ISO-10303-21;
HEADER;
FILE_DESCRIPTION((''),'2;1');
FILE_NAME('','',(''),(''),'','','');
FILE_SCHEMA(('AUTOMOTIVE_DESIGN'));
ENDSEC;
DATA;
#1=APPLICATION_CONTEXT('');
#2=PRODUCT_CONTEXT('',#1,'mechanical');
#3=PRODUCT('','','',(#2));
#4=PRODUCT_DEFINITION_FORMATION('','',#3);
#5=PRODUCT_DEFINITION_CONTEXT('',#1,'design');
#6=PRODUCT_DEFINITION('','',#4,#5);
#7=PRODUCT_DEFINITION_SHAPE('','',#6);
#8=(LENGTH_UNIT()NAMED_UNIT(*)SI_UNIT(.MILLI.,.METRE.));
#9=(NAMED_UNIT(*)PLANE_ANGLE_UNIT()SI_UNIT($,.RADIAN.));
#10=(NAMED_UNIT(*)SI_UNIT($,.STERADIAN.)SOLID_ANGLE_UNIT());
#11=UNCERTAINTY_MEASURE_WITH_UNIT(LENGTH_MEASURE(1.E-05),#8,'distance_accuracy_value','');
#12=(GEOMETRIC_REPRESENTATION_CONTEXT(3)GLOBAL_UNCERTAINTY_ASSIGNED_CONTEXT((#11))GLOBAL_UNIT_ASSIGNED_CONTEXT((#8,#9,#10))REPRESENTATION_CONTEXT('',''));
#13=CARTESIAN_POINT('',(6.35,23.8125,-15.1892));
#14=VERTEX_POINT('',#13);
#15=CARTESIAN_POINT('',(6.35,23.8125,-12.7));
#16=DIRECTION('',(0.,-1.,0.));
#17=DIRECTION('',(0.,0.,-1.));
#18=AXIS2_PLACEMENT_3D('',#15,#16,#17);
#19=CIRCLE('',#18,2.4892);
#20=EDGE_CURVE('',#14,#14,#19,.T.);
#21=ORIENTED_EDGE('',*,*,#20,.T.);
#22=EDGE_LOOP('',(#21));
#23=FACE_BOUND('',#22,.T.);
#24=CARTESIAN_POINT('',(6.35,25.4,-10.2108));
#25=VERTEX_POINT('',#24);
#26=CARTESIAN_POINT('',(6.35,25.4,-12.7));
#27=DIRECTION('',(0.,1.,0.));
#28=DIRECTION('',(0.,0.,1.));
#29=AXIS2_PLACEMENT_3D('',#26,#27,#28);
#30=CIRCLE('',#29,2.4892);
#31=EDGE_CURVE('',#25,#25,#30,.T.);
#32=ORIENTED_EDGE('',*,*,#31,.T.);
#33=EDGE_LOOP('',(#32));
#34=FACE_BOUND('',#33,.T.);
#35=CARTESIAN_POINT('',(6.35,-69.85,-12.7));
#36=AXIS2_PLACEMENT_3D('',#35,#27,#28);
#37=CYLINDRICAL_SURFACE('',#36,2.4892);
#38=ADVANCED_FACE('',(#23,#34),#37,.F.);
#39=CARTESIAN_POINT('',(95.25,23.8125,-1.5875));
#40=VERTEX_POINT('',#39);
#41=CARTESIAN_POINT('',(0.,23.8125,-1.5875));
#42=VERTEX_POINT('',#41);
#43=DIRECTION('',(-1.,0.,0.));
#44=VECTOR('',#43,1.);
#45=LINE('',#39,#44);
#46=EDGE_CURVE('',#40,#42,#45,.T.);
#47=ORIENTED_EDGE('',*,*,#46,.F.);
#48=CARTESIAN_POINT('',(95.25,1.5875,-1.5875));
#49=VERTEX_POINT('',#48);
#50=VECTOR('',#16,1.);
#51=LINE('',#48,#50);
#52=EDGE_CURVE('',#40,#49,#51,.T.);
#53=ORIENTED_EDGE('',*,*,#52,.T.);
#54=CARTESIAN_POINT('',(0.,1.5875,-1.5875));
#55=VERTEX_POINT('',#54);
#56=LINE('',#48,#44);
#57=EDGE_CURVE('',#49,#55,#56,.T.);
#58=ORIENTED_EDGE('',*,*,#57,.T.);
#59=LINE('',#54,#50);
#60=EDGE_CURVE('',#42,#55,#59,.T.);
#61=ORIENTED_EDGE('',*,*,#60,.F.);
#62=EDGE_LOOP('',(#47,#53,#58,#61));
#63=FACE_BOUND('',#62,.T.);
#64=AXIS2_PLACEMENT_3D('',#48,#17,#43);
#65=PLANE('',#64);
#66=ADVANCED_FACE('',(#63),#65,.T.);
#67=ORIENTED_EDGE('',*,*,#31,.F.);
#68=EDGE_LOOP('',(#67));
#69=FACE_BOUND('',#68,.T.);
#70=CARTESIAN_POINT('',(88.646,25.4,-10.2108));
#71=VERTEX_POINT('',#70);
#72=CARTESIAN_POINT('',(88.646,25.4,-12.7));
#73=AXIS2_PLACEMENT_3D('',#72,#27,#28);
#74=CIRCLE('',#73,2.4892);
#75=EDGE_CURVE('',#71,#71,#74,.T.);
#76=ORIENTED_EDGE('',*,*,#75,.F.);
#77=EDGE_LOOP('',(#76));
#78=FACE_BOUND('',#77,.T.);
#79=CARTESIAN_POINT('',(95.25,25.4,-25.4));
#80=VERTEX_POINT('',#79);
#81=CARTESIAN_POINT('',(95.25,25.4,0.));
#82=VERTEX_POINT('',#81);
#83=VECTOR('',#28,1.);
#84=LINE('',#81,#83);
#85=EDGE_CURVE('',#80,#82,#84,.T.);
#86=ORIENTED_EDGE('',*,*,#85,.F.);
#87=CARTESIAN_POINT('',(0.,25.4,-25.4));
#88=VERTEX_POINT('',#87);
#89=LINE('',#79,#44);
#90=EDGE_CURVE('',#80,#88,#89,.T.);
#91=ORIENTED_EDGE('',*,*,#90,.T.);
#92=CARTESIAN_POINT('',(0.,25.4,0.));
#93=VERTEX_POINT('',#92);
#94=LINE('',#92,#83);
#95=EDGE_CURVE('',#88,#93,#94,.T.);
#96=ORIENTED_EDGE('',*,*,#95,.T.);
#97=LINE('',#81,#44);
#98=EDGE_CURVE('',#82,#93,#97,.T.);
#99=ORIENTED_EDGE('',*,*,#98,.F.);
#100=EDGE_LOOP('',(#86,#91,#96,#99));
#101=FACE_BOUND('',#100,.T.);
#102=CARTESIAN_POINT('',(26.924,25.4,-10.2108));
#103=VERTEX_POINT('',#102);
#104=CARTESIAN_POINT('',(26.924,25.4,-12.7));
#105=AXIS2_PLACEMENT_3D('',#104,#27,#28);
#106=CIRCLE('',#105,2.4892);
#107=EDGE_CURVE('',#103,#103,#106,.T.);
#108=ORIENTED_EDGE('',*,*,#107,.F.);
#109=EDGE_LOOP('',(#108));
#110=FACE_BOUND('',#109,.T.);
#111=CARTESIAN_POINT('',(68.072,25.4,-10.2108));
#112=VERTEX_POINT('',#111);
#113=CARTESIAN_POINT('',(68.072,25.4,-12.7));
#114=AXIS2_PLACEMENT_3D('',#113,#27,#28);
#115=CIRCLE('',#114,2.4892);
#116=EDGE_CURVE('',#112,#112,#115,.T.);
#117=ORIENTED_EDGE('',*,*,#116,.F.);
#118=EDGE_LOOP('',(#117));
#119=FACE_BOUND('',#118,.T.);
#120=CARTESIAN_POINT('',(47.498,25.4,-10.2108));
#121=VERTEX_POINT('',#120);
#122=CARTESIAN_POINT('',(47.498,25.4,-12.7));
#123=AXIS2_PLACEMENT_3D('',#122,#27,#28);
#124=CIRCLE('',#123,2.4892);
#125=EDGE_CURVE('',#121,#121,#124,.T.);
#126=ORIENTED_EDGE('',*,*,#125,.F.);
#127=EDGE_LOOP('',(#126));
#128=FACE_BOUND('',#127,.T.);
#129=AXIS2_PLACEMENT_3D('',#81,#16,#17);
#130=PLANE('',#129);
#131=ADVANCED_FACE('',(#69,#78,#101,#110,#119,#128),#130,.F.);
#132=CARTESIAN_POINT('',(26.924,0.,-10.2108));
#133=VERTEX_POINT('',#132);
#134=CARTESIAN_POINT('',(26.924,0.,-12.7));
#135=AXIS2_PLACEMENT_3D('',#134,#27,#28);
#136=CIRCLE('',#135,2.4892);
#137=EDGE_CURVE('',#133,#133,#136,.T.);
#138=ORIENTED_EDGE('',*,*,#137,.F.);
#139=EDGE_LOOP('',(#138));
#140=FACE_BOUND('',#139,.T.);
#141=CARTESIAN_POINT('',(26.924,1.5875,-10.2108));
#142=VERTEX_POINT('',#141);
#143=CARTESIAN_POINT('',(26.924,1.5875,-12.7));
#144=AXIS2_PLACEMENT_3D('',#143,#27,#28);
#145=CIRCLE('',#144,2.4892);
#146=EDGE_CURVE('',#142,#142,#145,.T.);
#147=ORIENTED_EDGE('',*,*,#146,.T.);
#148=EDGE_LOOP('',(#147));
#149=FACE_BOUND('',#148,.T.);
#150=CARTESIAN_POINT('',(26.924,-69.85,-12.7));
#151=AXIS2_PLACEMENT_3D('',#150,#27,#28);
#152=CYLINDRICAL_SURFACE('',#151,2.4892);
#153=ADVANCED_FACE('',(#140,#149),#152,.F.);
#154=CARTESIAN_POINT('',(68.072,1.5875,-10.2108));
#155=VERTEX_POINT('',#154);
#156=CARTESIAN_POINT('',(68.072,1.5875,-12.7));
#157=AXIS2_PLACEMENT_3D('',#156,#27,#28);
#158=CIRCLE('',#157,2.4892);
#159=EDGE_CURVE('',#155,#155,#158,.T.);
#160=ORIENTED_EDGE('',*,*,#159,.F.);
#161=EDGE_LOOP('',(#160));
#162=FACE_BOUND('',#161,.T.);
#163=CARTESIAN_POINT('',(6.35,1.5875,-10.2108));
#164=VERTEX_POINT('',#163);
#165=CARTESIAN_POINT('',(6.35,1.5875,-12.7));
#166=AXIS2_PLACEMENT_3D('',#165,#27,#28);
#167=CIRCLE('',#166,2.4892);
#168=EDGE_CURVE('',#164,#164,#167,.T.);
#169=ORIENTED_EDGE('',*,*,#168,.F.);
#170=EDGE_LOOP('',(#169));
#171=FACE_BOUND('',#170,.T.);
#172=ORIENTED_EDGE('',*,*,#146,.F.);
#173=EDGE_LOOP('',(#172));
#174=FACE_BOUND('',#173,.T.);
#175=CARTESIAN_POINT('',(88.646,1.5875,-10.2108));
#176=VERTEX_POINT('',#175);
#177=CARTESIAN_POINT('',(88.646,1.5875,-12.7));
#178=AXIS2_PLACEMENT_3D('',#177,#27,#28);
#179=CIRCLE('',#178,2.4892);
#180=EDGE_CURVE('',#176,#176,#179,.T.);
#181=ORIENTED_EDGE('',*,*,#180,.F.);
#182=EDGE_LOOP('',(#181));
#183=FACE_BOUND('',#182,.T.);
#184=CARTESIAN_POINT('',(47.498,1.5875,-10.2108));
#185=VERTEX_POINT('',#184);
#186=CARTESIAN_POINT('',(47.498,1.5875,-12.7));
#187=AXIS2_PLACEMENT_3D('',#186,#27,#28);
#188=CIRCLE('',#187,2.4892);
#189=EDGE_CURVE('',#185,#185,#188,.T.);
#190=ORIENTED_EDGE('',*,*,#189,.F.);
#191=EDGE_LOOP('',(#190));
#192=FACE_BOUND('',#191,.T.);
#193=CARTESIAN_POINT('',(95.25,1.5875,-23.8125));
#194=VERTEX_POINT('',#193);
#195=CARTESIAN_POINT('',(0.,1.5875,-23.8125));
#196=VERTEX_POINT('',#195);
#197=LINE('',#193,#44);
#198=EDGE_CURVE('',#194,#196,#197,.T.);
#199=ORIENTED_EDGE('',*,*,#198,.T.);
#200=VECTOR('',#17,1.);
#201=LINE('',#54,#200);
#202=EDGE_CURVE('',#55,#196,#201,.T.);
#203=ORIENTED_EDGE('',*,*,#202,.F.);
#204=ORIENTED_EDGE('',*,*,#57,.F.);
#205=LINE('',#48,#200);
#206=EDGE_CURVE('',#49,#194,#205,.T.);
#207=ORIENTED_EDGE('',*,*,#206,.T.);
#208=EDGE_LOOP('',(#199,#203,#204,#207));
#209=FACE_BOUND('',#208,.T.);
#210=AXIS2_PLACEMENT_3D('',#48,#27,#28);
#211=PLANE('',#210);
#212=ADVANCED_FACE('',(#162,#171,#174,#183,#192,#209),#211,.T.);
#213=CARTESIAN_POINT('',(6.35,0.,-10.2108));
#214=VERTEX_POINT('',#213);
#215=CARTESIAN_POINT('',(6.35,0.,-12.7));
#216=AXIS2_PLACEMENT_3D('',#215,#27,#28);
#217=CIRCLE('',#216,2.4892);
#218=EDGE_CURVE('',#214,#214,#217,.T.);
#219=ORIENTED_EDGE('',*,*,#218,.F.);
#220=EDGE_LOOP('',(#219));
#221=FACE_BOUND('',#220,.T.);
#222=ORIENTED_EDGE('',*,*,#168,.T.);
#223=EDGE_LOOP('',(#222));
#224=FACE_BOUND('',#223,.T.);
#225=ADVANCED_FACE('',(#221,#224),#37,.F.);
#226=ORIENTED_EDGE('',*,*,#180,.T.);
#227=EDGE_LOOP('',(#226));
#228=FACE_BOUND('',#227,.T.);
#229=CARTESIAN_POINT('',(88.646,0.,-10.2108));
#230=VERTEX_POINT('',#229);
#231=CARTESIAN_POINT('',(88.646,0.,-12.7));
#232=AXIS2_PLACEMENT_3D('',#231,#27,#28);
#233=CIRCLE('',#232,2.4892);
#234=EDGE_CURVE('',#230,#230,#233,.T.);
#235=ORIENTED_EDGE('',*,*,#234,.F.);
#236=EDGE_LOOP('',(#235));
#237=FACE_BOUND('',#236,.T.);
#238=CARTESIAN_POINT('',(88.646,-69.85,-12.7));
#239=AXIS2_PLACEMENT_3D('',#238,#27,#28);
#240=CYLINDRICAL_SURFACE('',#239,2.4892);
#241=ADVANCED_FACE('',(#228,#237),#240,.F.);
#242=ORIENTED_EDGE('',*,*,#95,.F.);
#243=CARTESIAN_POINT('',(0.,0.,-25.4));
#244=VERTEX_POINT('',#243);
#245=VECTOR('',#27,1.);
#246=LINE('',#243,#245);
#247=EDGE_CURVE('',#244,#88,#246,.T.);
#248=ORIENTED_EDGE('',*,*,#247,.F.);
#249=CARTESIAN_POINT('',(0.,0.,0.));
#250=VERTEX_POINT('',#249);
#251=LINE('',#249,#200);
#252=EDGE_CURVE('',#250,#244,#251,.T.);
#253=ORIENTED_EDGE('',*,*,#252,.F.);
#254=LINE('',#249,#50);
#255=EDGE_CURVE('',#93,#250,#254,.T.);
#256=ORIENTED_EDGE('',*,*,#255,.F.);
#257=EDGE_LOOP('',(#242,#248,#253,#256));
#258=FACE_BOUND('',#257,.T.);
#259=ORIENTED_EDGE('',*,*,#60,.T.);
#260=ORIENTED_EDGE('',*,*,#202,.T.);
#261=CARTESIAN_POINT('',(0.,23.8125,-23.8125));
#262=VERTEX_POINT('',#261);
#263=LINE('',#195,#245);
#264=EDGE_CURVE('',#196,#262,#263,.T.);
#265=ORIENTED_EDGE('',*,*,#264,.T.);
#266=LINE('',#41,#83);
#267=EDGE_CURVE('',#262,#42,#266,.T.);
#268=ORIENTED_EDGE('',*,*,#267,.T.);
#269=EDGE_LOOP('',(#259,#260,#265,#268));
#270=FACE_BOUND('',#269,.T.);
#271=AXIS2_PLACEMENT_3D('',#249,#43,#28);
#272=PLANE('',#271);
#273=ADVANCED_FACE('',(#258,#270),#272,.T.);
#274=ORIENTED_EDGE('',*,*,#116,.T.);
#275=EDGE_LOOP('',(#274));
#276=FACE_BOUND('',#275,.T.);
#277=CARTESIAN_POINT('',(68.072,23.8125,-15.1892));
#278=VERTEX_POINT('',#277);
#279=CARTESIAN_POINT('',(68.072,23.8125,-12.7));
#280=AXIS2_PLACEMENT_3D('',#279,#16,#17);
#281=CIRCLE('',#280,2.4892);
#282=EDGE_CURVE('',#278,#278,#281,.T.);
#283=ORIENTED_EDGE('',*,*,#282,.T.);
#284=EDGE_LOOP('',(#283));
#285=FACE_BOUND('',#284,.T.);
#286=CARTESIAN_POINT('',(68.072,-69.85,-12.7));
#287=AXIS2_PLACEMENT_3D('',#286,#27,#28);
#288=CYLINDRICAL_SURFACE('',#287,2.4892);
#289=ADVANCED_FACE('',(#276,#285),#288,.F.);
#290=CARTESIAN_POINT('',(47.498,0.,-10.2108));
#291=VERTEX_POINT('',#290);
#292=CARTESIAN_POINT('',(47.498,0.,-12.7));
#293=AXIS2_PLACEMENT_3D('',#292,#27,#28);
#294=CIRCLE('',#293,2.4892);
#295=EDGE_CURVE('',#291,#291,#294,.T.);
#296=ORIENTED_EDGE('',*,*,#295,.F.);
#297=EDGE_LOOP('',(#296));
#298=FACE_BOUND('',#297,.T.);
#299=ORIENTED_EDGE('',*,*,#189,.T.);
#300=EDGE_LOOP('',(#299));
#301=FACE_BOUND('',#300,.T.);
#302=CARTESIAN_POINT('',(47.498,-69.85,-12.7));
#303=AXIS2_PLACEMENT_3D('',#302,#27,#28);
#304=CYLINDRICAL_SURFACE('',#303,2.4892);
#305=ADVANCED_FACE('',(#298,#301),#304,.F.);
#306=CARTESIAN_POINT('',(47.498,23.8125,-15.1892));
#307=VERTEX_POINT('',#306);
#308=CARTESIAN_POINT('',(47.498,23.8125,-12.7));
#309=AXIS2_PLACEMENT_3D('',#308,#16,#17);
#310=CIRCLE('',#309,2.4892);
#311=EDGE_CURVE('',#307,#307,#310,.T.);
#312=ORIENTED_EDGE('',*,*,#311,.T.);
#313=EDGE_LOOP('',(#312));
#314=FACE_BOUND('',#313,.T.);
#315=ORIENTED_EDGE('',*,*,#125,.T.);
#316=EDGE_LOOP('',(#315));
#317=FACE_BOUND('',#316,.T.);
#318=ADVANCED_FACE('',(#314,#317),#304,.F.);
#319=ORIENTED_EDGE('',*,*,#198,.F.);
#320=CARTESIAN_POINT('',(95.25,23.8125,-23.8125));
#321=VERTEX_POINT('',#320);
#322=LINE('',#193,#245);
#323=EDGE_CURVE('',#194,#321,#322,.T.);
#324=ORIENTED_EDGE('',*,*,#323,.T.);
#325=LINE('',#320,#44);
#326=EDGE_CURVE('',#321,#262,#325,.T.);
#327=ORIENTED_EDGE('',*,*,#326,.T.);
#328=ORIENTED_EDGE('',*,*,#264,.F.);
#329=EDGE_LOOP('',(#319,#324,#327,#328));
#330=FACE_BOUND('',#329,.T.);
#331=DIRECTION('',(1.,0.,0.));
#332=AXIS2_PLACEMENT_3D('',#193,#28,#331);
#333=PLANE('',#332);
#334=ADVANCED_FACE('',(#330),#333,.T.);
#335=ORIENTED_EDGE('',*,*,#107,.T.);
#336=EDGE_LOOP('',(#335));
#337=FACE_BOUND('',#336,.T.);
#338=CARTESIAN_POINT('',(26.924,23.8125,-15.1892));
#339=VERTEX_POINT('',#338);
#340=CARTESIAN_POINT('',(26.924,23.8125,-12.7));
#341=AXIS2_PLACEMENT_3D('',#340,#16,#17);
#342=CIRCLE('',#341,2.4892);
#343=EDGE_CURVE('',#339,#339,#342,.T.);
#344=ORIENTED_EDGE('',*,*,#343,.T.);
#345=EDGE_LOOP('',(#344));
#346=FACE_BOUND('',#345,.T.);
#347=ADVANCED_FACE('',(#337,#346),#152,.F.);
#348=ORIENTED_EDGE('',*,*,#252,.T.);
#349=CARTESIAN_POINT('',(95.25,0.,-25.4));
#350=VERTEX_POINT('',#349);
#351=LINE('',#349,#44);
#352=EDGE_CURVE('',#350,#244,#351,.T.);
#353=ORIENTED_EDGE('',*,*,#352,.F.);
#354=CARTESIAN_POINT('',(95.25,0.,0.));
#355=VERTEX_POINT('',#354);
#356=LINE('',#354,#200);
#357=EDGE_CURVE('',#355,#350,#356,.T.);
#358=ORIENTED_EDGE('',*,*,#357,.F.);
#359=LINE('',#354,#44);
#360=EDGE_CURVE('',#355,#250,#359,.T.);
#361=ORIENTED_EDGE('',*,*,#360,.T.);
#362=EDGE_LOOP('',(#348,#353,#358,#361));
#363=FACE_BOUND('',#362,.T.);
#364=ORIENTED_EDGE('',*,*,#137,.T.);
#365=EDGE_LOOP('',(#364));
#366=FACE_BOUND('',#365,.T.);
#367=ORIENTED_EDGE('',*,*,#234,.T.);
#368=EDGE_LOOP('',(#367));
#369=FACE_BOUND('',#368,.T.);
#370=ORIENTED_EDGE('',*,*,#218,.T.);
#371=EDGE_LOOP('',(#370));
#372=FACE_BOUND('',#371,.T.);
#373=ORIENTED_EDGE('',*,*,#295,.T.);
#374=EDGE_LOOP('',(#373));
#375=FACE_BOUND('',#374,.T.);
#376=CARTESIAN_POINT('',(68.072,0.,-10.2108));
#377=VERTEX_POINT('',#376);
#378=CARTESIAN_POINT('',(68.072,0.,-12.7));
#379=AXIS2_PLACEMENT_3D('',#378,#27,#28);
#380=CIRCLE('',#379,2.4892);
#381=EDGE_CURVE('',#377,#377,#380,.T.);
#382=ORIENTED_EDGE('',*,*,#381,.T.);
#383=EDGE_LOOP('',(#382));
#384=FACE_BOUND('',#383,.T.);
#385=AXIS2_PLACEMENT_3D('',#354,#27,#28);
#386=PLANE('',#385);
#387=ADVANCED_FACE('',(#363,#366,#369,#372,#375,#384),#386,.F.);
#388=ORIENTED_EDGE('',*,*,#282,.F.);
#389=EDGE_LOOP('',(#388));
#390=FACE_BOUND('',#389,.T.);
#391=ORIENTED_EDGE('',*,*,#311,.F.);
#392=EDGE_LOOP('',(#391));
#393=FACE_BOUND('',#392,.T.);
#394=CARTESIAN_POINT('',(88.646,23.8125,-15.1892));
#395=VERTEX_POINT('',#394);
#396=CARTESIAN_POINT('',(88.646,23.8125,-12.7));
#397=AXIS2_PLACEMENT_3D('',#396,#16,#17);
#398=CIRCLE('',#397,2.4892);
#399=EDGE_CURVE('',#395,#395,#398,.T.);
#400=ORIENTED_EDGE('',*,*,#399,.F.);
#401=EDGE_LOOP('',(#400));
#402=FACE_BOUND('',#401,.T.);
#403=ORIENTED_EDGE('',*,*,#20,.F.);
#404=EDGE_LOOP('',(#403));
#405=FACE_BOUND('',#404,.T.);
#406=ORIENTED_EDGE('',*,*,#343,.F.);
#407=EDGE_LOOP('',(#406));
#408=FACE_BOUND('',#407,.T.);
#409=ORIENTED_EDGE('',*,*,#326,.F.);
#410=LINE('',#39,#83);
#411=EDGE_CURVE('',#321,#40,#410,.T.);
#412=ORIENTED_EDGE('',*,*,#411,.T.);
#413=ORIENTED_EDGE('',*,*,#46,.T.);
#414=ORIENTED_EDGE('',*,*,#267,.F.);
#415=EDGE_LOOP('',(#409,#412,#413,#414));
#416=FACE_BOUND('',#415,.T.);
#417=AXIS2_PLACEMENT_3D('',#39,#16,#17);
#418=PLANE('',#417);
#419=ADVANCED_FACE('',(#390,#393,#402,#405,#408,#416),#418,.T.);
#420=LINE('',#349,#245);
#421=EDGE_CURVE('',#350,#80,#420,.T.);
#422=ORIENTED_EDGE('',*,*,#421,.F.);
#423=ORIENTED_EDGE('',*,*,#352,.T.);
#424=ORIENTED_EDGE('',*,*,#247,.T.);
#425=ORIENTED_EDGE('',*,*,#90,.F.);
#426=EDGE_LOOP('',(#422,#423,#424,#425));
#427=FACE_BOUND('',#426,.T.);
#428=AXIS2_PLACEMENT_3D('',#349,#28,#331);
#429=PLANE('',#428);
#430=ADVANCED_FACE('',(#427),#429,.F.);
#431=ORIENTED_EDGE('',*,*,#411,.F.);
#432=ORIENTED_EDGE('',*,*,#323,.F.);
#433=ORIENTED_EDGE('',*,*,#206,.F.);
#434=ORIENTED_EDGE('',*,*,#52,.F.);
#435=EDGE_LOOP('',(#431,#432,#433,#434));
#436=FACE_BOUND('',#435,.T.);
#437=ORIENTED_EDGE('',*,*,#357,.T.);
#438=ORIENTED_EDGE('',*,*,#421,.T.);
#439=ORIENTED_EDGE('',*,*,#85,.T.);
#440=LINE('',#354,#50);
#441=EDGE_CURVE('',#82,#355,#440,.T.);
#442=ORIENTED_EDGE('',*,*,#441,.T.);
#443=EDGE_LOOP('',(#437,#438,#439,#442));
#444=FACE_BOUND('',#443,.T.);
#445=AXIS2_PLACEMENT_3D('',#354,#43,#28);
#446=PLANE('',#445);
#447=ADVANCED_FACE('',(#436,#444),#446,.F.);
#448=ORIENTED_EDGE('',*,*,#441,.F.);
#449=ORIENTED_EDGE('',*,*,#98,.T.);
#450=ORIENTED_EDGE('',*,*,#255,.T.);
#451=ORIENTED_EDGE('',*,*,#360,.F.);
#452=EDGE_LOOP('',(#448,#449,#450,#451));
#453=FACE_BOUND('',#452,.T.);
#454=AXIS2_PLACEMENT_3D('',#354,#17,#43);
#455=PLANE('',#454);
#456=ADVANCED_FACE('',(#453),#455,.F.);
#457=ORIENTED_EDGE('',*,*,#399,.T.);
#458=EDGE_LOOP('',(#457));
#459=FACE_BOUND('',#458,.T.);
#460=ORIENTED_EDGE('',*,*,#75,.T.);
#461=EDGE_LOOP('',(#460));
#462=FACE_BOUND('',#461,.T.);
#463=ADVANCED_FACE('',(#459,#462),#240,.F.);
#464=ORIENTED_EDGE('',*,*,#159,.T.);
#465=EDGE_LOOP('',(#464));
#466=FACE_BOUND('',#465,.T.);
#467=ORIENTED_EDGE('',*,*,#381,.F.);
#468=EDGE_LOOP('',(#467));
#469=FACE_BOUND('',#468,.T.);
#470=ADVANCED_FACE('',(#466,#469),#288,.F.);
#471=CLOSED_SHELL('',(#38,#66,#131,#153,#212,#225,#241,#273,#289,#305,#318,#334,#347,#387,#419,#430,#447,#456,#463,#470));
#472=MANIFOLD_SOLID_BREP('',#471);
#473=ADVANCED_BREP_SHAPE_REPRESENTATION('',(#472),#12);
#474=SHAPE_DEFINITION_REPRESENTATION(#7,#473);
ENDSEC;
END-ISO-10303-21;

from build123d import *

# Parameters (mm, degrees)
SKETCH1_W           = 25.4
SKETCH1_H           = 25.4
SKETCH1_W_2         = 22.225
SKETCH1_H_2         = 22.225
BOSS_EXTRUDE1_DEPTH = 95.25
SKETCH2_R           = 2.4892
CUT_EXTRUDE1_DEPTH  = 95.25


with BuildPart() as part:
    # Sketch1 → Boss-Extrude1 (new body)
    with BuildSketch(Plane(origin=(0, 0, 0), x_dir=(0, 0, -1), z_dir=(1, 0, 0))):
        with Locations((12.7, 12.7)):
            Rectangle(SKETCH1_W, SKETCH1_H)
        with Locations((12.7, 12.7)):
            Rectangle(SKETCH1_W_2, SKETCH1_H_2, mode=Mode.SUBTRACT)
    extrude(amount=BOSS_EXTRUDE1_DEPTH)

    # Sketch2 → Cut-Extrude1 (cut)
    with BuildSketch(Plane(origin=(0, 25.4, 0), x_dir=(1, 0, 0), z_dir=(0, 1, 0))):
        with Locations(Location((6.35, 12.7, 0), (0, 0, 270))):
            Circle(SKETCH2_R)
        with Locations(Location((26.924, 12.7, 0), (0, 0, 270))):
            Circle(SKETCH2_R)
        with Locations(Location((47.498, 12.7, 0), (0, 0, 270))):
            Circle(SKETCH2_R)
        with Locations(Location((68.072, 12.7, 0), (0, 0, 270))):
            Circle(SKETCH2_R)
        with Locations(Location((88.646, 12.7, 0), (0, 0, 270))):
            Circle(SKETCH2_R)
    extrude(amount=-CUT_EXTRUDE1_DEPTH, mode=Mode.SUBTRACT)


solid = part.part
